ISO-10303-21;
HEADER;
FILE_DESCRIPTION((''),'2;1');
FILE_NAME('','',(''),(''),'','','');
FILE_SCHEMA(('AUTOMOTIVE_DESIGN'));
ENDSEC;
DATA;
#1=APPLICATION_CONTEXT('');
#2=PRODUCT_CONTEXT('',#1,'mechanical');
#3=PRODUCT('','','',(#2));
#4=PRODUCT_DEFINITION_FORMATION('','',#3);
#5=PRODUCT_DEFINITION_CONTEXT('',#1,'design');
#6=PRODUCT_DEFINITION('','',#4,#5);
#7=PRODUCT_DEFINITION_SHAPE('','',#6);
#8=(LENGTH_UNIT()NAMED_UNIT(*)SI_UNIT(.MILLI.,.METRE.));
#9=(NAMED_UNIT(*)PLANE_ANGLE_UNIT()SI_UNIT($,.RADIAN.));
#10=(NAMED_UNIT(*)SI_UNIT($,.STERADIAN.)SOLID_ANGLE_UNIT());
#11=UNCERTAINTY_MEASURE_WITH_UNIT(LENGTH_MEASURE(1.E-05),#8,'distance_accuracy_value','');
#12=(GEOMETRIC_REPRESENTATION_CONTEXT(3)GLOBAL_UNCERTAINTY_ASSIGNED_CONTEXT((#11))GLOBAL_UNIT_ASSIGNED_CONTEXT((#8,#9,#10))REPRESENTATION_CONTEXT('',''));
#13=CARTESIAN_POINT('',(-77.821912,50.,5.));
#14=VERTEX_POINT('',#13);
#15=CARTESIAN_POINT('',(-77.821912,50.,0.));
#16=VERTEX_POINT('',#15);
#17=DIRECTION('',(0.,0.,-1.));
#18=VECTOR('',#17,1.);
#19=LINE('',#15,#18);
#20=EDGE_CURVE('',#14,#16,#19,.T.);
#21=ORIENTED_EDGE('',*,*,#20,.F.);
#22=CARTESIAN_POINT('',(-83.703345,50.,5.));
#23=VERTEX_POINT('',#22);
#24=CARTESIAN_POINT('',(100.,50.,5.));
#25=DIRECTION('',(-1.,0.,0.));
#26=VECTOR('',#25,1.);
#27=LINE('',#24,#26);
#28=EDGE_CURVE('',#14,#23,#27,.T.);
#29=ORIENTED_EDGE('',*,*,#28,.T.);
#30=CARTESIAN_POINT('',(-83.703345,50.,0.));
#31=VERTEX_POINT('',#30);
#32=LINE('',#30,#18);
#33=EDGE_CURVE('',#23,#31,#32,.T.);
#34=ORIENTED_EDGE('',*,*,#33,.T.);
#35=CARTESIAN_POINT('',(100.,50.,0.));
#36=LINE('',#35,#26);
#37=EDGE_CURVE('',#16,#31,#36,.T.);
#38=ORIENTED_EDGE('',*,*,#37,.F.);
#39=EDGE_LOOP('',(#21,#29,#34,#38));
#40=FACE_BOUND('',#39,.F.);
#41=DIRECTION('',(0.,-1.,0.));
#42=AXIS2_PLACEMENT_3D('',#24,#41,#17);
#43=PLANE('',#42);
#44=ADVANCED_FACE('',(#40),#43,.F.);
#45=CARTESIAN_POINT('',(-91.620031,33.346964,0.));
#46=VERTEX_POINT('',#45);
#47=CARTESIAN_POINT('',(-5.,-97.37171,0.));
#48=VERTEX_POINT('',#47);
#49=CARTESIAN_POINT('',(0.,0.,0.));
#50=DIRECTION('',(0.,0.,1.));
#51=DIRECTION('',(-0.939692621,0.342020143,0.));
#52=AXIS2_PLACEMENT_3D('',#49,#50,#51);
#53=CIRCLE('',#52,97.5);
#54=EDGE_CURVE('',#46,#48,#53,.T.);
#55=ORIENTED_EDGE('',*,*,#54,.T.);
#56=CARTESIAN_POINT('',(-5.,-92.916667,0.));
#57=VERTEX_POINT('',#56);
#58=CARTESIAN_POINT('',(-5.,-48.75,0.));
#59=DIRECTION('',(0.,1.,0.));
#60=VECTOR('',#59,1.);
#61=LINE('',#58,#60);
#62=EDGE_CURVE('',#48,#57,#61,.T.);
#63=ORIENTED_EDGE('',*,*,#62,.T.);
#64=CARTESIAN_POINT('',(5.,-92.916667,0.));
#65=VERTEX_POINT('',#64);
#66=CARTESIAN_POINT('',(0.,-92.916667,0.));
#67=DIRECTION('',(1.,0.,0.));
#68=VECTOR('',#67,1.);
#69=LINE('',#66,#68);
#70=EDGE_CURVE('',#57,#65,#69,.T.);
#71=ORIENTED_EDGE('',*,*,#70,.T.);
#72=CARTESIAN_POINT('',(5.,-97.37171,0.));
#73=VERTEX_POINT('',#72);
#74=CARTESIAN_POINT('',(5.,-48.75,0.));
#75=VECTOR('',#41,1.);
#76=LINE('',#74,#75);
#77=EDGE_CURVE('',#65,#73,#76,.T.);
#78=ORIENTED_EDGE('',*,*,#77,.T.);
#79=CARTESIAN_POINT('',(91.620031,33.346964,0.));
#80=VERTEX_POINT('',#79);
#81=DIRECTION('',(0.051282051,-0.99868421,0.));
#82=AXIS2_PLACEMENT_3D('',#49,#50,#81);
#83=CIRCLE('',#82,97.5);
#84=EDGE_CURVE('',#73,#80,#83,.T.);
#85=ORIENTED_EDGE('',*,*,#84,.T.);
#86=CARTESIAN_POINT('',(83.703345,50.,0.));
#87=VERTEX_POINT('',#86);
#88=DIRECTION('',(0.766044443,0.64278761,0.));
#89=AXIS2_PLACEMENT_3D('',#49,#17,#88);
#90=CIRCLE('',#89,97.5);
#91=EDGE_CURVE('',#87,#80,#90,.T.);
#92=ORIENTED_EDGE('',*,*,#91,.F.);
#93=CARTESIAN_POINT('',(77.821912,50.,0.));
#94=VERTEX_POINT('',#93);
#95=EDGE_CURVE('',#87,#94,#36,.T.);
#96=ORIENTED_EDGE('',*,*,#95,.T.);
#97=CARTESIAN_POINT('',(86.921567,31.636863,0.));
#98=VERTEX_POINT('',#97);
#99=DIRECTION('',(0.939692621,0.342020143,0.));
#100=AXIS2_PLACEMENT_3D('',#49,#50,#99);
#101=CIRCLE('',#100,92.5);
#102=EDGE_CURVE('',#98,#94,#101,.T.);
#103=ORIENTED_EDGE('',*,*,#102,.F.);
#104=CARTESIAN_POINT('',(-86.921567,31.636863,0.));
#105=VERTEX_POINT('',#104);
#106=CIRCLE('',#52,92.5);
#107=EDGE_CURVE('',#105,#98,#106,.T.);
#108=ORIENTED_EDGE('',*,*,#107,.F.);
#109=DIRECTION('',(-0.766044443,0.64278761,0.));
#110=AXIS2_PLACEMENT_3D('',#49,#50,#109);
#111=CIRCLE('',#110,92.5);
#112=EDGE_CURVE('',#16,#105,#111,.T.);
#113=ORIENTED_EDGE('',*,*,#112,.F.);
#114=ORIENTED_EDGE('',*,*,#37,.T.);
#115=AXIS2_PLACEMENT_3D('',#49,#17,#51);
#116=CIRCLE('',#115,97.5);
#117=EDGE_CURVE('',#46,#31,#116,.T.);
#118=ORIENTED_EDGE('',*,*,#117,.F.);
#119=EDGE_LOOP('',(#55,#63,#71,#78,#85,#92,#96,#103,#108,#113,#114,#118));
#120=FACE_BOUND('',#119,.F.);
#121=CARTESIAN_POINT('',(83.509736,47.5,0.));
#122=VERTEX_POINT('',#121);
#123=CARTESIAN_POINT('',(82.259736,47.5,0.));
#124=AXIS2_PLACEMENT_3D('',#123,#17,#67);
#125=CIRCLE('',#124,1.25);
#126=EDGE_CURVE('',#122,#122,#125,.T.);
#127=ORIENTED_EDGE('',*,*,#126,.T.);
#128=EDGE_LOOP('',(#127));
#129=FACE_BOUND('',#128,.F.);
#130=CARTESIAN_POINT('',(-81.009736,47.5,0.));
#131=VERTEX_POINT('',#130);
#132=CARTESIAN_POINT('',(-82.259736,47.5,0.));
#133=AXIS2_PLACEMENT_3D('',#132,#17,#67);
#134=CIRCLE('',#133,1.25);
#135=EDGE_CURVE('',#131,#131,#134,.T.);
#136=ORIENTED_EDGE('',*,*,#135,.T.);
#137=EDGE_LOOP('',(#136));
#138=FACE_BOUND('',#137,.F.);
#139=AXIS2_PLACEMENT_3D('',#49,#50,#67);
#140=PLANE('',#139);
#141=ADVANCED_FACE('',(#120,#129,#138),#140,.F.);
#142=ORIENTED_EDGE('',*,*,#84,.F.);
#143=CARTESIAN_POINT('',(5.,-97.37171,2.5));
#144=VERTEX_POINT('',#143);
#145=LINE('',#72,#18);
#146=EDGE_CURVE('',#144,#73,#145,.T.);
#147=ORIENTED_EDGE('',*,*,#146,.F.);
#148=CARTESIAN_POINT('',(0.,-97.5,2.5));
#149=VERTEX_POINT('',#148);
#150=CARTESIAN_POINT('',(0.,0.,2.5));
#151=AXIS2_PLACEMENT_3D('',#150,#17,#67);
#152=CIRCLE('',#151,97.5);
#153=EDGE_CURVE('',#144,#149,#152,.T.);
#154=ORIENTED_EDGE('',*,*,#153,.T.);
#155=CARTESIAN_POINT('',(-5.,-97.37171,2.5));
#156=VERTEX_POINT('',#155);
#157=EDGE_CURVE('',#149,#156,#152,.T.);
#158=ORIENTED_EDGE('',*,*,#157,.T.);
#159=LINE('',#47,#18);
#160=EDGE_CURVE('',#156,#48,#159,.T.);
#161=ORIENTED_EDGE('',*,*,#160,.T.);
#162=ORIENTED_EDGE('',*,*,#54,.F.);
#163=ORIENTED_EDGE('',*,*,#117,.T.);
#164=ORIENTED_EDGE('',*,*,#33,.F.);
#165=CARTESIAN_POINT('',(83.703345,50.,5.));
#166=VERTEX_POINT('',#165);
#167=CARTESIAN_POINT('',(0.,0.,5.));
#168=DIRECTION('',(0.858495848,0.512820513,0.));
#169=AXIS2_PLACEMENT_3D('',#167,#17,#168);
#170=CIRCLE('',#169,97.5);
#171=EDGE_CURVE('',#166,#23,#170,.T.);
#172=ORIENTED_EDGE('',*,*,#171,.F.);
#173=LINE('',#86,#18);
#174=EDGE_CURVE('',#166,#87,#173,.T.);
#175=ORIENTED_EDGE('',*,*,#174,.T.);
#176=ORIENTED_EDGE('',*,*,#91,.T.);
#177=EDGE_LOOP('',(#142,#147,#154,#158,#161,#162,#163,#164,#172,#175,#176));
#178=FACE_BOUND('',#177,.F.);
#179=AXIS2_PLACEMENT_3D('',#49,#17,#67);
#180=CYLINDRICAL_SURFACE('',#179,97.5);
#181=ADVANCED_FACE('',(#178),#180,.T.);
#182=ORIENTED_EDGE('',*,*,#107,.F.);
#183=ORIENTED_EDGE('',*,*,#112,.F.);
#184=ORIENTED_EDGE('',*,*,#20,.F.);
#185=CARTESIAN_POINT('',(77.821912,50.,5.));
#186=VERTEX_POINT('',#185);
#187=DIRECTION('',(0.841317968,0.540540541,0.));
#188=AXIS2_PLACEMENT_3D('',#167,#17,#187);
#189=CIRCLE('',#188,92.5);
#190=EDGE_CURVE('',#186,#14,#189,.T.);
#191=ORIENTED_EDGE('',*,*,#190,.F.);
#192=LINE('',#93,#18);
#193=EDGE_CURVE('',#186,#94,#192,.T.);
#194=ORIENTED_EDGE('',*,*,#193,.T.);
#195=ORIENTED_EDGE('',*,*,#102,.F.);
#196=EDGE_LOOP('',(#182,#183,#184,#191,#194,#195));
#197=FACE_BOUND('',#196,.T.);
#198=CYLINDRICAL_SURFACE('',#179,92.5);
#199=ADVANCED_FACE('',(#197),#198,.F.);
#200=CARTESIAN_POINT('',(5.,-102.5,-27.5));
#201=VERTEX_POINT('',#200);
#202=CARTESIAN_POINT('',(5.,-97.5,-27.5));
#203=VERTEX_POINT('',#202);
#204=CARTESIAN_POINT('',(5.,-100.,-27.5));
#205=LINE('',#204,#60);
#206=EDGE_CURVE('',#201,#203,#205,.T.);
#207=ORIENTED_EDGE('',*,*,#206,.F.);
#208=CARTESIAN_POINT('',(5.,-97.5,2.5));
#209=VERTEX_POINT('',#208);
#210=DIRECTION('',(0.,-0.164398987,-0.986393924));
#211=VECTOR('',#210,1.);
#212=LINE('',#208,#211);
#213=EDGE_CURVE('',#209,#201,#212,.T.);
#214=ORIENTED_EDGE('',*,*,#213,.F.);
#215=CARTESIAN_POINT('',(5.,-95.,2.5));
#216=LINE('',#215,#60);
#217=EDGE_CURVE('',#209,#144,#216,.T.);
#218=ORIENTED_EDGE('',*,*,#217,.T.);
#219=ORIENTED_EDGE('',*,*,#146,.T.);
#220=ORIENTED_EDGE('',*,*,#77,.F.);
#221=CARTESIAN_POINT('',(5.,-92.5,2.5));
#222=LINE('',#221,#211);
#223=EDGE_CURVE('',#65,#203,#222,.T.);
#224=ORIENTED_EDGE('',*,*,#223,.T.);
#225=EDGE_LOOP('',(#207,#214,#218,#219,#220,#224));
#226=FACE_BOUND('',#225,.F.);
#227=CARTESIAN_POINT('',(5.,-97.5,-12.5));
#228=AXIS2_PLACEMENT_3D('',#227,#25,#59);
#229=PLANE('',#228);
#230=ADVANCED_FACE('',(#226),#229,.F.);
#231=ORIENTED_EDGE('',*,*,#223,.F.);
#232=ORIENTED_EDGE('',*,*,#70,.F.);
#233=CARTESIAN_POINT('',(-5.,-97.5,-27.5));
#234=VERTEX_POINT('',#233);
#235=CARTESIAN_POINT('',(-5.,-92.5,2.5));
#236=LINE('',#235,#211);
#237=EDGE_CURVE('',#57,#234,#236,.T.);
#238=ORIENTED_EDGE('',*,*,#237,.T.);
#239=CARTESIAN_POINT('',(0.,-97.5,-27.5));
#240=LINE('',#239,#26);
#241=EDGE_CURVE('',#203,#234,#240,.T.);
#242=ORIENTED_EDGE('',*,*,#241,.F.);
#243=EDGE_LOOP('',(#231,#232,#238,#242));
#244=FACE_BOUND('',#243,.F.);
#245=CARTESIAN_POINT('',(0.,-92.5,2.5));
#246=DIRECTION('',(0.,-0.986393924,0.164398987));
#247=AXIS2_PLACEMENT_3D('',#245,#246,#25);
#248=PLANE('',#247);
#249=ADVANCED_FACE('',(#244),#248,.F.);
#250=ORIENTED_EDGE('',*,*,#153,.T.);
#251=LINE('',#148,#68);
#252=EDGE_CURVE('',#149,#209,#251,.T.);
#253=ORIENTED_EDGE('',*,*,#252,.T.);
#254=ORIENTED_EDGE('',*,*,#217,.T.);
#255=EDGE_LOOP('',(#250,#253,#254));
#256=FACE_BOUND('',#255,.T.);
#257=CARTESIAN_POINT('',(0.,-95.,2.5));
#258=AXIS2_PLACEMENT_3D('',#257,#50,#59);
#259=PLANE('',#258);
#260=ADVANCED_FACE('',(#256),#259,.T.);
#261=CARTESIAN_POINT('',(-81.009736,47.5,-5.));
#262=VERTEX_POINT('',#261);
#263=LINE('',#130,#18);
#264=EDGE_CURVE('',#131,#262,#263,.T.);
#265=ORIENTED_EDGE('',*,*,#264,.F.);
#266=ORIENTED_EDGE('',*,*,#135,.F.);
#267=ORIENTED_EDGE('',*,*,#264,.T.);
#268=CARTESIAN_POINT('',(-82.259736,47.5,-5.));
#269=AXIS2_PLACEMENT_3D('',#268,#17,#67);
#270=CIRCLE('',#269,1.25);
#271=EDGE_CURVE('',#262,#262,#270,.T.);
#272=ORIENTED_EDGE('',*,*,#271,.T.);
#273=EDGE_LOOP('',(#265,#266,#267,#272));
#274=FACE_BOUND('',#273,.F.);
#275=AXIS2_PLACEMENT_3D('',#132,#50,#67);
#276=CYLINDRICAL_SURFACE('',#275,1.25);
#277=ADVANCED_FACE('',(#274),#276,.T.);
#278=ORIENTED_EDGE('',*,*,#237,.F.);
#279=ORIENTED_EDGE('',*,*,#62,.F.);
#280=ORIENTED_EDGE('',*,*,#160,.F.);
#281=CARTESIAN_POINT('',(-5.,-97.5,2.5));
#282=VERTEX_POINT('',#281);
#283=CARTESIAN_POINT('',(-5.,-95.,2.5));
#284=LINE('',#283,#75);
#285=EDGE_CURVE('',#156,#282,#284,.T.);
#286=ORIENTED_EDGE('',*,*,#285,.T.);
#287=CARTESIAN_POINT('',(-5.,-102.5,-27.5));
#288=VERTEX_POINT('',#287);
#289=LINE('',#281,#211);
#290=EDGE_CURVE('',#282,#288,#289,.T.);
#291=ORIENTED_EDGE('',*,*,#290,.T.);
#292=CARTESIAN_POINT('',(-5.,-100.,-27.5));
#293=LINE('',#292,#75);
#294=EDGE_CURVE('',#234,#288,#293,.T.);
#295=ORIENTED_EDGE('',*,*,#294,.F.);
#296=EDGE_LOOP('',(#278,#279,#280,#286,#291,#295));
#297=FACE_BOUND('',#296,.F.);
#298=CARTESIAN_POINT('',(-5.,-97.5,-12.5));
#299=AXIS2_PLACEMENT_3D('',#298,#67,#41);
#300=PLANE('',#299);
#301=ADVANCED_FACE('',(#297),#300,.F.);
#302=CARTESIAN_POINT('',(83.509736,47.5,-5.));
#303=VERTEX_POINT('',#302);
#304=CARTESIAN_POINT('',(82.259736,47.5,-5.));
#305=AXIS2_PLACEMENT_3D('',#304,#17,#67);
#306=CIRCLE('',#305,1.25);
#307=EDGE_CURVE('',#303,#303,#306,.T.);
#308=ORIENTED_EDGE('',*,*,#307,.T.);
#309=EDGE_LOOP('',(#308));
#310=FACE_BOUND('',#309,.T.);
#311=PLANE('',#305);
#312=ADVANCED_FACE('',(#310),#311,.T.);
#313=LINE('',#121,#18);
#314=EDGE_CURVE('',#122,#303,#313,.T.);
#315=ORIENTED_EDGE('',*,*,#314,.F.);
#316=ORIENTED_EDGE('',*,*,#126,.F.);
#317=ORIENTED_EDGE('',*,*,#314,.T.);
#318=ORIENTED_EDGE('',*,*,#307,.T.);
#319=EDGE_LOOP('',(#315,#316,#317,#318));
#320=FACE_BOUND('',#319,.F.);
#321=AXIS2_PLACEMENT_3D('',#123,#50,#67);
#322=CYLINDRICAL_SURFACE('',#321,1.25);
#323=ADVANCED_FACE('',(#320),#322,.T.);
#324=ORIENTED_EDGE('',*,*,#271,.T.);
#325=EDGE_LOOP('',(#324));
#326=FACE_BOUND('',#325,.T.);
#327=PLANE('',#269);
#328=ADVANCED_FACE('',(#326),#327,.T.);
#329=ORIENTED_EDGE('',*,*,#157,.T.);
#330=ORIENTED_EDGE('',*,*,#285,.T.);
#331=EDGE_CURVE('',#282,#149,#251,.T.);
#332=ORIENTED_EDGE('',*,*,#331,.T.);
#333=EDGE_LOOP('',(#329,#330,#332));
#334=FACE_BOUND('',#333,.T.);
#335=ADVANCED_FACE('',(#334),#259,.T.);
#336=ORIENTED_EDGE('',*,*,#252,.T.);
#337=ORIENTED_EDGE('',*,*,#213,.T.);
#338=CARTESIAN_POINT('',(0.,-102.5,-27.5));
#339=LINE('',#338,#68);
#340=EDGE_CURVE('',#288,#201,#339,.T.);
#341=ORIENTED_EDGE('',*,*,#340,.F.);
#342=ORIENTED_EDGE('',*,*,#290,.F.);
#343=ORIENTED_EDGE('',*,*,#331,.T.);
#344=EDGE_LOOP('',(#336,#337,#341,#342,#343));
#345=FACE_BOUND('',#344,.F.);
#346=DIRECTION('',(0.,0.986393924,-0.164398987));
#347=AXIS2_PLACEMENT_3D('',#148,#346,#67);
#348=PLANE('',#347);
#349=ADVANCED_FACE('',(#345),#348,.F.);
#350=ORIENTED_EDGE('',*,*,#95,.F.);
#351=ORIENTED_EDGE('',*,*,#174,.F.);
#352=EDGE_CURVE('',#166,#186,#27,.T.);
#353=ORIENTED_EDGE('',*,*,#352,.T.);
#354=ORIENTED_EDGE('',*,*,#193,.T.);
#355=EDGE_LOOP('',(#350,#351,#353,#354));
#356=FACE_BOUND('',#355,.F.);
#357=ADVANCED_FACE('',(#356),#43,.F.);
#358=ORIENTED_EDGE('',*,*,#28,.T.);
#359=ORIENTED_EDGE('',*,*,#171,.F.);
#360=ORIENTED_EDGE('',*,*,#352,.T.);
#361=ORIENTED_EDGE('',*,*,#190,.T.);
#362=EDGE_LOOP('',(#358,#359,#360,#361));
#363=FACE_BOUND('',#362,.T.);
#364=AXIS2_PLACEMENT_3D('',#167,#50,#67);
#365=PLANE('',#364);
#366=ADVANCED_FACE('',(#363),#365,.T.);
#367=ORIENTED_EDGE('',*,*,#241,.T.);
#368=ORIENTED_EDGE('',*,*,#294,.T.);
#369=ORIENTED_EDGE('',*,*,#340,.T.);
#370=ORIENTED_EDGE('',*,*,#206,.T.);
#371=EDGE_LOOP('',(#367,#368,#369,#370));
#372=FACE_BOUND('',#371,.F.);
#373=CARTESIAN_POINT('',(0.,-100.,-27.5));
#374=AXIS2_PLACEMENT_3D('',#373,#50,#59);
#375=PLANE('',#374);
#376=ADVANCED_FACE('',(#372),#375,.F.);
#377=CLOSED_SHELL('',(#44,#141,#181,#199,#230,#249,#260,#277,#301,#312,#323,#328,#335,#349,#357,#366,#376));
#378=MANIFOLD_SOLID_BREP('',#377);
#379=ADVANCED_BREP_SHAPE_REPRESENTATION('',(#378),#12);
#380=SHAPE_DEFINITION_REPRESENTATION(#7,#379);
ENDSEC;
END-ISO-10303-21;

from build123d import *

# Parameters (mm, degrees)
F0_R      = 97.5
F0_R_2    = 92.5
F1_DEPTH  = 5
F4_W      = 10
F4_H      = 5
F7_DEPTH  = 27.5
F10_DEPTH = 197.501
F11_R     = 1.25
F12_DEPTH = 5


with BuildPart() as f1:
    # F0 (on Top) → F1 (new body)
    with BuildSketch(Plane.XY):
        Circle(F0_R)
        Circle(F0_R_2, mode=Mode.SUBTRACT)
    extrude(amount=F1_DEPTH)

    # F5: sweep along a path in F2
    with BuildLine(Plane.YZ) as f5_path:
        Line((-95, 2.5), (-100, -27.5))
    # F4 (on plane+point) → F5 (sweep)
    with BuildSketch(Plane.XY.offset(-27.5)):
        with Locations((0, -100)):
            Rectangle(F4_W, F4_H)
    sweep(path=f5_path.line)

    # F6 (on face) → F7 (join)
    with BuildSketch(Plane(origin=(0, 0, 0), x_dir=(1, 0, 0), z_dir=(0, 0, -1))):
        with BuildLine():
            Line((-74.6893332041, -62.6717919444), (-70.8591109885, -59.457853896))
            ThreePointArc((-70.8591109885, -59.457853896), (-80.1073498501, -46.25), (-86.9215674227, -31.6368632576))
            Line((-86.9215674227, -31.6368632576), (-91.6200305266, -33.3469639743))
            ThreePointArc((-91.6200305266, -33.3469639743), (-84.437476869, -48.75), (-74.6893332041, -62.6717919444))
        make_face()
        with BuildLine():
            ThreePointArc((86.9215674227, -31.6368632576), (80.1073498501, -46.25), (70.8591109885, -59.457853896))
            Line((70.8591109885, -59.457853896), (74.6893332041, -62.6717919444))
            ThreePointArc((74.6893332041, -62.6717919444), (84.437476869, -48.75), (91.6200305266, -33.3469639743))
            Line((91.6200305266, -33.3469639743), (86.9215674227, -31.6368632576))
        make_face()
    extrude(amount=F7_DEPTH)

    # F9 (on offset) → F10 (cut, through all)
    with BuildSketch(Plane.YZ.offset(100)):
        Polygon((50, 0), (0, 0), (0, -29.4982548803), (101.8575504422, -29.4982548803), (101.8575504422, 5), (50, 5), align=None)
    extrude(amount=-F10_DEPTH, mode=Mode.SUBTRACT)

    # F11 (on face) → F12 (join)
    with BuildSketch(Plane(origin=(0, 0, 0), x_dir=(1, 0, 0), z_dir=(0, 0, -1))):
        with Locations((82.2597355808, -47.5)):
            Circle(F11_R)
        with Locations((-82.2597355808, -47.5)):
            Circle(F11_R)
    extrude(amount=F12_DEPTH)


solid = f1.part
